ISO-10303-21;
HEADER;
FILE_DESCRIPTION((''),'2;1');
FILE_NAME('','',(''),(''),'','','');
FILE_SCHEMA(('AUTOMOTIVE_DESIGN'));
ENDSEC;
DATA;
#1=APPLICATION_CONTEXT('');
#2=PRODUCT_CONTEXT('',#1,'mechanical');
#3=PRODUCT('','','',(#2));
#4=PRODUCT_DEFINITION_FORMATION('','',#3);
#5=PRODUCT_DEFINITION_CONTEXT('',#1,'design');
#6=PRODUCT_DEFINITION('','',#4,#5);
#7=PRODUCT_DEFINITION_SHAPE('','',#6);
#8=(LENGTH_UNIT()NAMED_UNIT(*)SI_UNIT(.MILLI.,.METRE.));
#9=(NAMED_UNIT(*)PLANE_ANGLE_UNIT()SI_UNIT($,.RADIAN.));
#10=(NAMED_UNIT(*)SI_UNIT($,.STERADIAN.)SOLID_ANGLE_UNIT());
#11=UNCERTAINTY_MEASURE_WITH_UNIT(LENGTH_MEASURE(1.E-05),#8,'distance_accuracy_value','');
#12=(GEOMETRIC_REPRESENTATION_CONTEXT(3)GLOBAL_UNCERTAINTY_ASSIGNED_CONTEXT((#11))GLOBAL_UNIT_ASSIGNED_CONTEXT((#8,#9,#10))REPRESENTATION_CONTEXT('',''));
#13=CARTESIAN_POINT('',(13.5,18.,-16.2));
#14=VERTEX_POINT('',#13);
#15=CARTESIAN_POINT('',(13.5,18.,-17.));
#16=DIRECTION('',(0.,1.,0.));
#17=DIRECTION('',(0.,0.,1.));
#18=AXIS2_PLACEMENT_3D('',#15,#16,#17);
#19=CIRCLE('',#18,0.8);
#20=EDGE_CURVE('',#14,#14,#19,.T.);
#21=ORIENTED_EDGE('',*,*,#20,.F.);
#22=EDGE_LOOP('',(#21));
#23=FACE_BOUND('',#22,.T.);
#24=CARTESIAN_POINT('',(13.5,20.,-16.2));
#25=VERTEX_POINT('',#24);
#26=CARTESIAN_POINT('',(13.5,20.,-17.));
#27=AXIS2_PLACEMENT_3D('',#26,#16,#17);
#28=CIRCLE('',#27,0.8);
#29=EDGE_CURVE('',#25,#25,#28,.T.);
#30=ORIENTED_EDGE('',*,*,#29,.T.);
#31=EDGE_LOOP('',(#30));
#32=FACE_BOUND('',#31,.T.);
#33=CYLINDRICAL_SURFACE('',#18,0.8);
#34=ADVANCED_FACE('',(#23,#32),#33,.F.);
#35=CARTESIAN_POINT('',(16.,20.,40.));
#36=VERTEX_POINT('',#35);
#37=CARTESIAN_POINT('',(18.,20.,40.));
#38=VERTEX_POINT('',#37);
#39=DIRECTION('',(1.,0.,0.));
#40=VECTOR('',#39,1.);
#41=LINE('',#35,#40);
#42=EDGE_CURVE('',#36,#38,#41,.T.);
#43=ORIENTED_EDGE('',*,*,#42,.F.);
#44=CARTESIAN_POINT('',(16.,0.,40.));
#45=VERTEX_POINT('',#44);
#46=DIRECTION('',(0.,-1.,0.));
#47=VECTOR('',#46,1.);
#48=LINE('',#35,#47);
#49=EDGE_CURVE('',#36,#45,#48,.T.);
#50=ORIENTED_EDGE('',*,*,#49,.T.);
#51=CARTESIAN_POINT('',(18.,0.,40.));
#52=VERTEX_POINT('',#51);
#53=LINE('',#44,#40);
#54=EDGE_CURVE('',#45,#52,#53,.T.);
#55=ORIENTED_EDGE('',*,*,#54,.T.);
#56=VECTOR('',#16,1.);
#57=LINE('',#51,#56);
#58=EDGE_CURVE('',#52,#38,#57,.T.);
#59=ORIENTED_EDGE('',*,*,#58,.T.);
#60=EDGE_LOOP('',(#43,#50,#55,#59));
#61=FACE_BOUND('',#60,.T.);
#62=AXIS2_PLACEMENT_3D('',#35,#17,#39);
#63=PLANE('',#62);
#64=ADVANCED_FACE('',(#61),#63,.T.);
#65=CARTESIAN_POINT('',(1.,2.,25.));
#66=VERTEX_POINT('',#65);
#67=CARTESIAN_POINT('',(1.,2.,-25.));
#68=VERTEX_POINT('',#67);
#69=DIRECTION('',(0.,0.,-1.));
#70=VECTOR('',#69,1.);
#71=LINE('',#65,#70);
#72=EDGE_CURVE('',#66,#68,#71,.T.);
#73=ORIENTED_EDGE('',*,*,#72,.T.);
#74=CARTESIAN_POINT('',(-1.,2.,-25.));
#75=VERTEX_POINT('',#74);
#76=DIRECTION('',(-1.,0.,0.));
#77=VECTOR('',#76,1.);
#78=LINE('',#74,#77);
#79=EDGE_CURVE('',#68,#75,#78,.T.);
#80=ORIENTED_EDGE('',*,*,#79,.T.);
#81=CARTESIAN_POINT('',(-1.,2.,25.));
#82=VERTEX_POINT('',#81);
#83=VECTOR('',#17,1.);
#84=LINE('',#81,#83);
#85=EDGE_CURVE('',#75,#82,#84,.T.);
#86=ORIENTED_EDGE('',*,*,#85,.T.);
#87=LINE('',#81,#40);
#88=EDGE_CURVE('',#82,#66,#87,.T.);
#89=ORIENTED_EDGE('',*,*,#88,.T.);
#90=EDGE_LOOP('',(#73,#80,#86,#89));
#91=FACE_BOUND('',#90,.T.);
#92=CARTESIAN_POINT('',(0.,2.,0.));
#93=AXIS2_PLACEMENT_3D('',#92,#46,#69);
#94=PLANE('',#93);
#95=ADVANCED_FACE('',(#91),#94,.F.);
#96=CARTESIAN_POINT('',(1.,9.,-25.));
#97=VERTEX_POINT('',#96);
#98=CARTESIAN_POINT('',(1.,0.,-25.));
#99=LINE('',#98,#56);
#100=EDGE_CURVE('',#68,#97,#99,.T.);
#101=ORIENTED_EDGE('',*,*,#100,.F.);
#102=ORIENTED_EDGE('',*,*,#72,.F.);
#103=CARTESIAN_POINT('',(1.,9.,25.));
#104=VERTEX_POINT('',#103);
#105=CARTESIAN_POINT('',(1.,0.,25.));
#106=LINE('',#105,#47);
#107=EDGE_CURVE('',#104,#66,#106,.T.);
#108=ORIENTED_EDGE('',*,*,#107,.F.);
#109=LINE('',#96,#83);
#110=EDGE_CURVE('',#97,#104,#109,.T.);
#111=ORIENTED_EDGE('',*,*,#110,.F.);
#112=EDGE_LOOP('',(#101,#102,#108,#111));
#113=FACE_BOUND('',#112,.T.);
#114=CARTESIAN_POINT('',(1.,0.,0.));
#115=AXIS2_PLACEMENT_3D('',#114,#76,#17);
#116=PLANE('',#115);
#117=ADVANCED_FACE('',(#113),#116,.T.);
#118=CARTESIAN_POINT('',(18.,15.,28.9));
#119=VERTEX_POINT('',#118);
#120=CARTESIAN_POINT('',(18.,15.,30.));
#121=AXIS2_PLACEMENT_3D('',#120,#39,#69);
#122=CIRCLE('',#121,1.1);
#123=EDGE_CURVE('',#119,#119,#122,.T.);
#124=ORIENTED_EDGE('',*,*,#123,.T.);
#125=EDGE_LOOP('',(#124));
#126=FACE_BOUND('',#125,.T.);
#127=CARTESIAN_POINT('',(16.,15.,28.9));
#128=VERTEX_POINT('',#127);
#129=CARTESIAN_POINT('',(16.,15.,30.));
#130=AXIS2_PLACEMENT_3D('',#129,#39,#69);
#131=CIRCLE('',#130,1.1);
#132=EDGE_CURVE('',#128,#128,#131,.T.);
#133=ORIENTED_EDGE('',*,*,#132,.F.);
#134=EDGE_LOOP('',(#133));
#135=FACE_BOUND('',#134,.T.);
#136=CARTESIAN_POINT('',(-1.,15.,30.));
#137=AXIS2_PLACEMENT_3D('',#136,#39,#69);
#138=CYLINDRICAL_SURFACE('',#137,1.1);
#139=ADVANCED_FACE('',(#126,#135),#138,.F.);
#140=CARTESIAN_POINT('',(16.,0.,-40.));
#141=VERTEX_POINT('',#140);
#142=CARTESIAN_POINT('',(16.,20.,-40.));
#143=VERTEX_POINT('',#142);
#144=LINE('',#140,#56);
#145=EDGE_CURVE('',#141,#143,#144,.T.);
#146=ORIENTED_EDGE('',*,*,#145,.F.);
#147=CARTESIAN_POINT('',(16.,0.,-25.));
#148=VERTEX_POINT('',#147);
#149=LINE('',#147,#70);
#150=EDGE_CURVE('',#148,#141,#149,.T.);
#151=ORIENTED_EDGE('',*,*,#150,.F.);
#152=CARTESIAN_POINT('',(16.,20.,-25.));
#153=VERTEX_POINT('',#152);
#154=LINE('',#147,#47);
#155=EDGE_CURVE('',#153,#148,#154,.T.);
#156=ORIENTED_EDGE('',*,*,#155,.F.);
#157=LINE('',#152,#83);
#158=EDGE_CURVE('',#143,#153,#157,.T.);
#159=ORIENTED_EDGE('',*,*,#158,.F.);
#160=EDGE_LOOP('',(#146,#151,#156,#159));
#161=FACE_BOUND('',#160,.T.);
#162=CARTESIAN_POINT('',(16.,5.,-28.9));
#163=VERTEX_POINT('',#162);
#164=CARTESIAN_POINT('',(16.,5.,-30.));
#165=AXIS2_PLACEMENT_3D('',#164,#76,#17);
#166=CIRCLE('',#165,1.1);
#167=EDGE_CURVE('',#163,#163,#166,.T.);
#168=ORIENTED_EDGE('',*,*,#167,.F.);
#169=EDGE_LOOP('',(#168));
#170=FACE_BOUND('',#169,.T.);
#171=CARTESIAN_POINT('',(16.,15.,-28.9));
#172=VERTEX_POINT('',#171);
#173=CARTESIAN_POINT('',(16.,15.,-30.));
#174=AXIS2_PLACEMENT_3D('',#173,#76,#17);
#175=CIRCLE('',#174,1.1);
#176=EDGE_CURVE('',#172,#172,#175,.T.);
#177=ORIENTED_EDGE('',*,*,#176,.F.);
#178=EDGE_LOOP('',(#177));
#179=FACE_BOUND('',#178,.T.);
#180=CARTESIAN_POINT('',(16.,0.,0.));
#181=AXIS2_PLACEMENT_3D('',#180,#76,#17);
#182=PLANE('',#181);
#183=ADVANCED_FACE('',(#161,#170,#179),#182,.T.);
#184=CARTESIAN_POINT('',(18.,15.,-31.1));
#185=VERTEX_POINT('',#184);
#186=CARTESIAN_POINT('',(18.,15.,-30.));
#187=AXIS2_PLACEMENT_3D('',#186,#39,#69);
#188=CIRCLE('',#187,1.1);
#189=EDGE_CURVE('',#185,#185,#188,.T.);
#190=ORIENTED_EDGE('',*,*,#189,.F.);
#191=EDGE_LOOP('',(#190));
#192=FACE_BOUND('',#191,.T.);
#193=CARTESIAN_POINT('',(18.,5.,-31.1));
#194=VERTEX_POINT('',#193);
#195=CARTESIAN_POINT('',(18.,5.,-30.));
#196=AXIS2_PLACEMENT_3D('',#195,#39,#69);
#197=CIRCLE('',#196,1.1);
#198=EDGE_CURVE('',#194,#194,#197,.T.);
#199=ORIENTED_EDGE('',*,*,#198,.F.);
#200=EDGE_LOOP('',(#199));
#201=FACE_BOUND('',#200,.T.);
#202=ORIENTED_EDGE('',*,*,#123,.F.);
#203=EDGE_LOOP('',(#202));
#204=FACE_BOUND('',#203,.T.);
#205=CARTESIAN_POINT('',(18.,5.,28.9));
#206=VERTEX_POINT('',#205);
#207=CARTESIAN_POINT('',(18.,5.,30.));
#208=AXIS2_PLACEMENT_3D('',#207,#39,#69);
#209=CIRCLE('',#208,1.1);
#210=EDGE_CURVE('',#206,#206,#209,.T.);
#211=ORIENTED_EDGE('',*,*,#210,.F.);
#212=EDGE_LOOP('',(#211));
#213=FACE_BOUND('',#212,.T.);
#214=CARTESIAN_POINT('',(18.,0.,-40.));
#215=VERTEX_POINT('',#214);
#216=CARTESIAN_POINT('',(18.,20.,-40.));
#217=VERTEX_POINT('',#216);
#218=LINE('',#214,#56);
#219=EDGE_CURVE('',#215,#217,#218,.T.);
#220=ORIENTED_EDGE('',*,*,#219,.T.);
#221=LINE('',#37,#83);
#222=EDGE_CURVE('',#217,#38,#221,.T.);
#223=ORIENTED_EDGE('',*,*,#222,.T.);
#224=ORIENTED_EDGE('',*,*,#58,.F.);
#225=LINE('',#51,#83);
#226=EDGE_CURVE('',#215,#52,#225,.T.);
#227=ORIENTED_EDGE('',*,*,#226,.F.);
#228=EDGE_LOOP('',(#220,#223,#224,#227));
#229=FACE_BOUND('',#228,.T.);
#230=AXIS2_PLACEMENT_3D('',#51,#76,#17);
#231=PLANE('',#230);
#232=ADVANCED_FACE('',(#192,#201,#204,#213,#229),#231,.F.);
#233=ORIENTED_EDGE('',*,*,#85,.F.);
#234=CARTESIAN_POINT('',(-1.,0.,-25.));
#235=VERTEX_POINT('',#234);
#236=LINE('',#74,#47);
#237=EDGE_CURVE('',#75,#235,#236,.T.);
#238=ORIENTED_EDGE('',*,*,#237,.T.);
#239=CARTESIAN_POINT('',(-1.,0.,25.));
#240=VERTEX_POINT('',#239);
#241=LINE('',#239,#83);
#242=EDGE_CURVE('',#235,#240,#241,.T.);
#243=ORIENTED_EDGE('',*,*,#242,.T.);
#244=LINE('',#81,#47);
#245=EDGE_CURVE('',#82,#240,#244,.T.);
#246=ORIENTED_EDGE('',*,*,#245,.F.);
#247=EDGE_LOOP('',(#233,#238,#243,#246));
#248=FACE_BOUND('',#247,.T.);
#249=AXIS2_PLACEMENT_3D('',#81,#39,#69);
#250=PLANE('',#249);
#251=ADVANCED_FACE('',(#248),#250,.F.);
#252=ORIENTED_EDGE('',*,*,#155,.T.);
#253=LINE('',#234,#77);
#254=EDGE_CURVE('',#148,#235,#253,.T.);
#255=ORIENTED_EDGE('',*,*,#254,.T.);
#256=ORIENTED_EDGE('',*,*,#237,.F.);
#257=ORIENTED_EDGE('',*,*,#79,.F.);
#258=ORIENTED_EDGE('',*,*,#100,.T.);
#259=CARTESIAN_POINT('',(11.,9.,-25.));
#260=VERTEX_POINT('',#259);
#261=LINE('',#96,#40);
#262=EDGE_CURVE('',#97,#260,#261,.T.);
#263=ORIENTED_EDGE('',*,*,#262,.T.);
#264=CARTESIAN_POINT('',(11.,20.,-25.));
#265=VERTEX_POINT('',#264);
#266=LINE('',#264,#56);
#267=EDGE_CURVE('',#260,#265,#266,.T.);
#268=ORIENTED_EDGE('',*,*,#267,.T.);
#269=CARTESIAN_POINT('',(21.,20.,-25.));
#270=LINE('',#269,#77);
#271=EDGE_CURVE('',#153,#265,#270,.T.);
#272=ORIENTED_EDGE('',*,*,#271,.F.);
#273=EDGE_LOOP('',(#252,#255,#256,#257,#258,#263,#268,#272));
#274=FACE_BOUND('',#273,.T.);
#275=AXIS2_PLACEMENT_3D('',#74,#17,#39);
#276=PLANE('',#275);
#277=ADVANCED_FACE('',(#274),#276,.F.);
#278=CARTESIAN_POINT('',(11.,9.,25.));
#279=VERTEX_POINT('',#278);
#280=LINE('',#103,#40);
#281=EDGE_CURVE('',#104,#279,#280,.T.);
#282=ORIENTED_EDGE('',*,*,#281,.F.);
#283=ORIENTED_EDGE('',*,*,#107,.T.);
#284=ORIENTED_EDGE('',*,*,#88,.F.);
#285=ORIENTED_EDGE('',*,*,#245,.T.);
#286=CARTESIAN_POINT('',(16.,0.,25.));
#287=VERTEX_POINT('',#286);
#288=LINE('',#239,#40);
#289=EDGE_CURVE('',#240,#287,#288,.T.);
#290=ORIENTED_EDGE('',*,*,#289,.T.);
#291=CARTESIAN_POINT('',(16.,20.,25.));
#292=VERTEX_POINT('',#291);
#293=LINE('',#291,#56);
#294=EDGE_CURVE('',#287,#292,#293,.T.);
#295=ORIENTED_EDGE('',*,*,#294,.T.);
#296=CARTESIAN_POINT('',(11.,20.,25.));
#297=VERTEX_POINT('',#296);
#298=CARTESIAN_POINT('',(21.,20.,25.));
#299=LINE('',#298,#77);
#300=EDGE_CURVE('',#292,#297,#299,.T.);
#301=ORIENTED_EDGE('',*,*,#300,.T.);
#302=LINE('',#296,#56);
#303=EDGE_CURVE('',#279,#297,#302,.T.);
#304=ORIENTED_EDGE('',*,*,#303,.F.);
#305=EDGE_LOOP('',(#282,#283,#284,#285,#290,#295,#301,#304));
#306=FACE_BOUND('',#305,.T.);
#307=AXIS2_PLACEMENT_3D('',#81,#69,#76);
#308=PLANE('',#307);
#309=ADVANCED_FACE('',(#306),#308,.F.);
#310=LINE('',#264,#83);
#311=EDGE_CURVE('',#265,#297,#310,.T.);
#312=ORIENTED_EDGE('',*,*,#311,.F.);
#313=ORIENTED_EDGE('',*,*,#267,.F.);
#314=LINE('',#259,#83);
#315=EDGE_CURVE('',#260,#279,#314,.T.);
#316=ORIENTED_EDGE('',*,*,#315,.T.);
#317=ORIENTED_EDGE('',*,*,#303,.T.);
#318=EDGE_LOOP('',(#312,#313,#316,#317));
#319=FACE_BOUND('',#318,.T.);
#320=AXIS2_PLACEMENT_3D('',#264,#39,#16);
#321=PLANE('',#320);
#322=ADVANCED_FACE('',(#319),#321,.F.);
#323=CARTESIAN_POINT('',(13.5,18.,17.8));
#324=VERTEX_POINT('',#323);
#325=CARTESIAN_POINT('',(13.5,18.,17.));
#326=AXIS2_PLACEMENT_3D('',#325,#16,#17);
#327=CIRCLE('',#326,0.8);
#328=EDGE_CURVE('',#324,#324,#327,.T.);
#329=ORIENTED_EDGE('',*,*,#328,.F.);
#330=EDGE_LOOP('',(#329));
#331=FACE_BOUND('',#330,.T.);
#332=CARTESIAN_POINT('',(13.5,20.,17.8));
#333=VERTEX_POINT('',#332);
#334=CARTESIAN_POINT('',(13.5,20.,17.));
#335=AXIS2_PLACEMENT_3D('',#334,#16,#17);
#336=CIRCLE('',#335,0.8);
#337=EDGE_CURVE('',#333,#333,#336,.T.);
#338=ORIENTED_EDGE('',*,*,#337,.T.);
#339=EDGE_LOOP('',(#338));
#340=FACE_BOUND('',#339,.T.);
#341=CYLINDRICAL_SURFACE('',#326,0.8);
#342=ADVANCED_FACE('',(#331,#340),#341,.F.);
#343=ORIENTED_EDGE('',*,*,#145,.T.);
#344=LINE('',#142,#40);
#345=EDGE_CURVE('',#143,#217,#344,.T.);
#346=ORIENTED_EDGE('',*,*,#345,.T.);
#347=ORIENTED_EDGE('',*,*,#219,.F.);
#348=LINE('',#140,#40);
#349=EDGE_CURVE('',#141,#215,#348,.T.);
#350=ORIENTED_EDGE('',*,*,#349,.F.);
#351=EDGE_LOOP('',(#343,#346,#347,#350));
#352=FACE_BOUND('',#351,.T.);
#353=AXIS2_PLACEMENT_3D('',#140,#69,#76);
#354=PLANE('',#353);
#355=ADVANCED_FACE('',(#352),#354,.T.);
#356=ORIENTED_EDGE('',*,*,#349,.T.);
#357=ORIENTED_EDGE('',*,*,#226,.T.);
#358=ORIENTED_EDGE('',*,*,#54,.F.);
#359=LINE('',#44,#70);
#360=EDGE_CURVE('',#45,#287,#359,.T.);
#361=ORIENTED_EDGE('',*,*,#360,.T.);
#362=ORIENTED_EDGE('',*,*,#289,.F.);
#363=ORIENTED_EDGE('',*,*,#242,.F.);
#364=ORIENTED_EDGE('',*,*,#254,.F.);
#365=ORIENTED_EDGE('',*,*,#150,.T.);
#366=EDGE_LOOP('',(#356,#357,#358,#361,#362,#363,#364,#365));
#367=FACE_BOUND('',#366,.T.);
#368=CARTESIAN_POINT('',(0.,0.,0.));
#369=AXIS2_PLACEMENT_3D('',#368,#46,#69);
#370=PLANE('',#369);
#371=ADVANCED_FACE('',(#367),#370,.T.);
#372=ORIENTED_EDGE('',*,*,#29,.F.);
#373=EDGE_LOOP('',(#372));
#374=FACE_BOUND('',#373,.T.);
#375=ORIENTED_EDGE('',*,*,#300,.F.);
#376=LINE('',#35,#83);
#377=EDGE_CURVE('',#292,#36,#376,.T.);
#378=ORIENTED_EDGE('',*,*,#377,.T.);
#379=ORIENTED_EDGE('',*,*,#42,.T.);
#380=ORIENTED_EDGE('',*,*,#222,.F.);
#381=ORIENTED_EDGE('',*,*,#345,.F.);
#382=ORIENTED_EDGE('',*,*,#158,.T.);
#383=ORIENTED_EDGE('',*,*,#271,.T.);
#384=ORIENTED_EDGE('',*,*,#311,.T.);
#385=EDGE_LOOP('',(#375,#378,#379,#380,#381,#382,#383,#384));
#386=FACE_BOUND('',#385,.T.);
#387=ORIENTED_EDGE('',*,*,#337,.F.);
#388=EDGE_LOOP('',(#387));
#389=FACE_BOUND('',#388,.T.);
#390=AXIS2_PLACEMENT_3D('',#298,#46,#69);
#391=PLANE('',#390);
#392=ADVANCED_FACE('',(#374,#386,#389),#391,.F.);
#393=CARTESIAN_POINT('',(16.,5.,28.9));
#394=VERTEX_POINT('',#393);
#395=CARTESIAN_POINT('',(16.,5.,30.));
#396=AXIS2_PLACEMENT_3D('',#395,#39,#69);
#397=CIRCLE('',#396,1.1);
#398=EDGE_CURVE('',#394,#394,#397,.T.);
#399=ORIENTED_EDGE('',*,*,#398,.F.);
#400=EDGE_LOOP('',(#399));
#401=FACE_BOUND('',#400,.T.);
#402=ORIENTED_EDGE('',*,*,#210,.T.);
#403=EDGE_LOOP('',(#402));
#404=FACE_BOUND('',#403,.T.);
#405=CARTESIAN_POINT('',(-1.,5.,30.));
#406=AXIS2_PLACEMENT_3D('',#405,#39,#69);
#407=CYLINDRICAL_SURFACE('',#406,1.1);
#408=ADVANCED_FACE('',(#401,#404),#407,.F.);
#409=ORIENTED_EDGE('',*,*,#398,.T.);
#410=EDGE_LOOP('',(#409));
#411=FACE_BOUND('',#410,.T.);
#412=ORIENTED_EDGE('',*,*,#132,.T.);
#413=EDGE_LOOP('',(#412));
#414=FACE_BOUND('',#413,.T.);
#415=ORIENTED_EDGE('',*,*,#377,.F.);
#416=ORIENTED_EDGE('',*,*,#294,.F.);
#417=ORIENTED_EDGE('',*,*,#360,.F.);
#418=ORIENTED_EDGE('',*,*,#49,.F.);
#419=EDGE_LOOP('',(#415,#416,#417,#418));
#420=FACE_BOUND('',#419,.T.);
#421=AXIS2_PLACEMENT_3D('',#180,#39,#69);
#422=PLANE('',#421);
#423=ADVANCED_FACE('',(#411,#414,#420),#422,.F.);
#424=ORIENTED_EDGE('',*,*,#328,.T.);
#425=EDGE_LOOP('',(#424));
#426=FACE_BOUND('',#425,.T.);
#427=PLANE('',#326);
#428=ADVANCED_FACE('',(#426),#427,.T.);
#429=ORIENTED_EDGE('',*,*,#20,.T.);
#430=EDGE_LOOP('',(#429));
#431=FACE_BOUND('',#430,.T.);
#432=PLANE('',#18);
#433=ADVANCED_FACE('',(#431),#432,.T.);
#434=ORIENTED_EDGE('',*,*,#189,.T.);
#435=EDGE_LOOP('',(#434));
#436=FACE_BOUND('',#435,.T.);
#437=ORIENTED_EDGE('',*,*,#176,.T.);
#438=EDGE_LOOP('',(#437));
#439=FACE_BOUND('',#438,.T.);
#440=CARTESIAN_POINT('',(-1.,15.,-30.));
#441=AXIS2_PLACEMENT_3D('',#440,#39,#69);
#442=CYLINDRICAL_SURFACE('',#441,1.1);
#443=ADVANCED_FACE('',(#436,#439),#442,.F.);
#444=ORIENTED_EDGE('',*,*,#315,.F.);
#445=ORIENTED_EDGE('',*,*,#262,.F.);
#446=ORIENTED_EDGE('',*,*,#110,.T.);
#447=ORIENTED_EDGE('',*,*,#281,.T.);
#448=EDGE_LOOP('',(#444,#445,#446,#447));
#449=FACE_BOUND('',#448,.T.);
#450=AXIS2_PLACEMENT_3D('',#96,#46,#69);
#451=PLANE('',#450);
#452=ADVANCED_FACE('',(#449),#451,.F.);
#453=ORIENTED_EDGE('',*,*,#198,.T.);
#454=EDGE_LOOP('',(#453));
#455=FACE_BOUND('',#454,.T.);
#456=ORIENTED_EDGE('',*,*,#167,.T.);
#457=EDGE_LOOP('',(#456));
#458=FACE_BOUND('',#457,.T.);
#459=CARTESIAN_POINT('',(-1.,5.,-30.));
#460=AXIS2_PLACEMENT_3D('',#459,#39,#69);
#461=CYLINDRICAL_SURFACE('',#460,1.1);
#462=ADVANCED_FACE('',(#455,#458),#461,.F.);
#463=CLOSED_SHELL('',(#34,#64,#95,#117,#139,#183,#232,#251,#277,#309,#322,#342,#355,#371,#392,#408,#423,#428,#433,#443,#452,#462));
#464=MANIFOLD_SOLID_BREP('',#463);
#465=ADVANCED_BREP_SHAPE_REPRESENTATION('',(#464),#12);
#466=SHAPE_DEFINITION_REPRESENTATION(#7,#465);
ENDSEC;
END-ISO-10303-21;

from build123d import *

# Parameters (mm, degrees)
SKETCH_1_W          = 2
SKETCH_1_H          = 50
EXTRUDE_1_DEPTH     = 2
SKETCH_3_W          = 50
SKETCH_3_H          = 20
EXTRUDE_3_DEPTH     = 20
SKETCH_4_W          = 10
SKETCH_4_H          = 11
CUT_EXTRUDE_1_DEPTH = 58.801384066
SKETCH_6_W          = 15
SKETCH_6_H          = 20
EXTRUDE_4_DEPTH     = 5
SKETCH_7_W          = 3
SKETCH_7_H          = 80
CUT_EXTRUDE_4_DEPTH = 50.406477308
SKETCH_8_R          = 1.1
CUT_EXTRUDE_5_DEPTH = 49.590122453
SKETCH_9_R          = 0.8
CUT_EXTRUDE_6_DEPTH = 2


with BuildPart() as part:
    # 草图1 → 凸台-拉伸1 (new body)
    with BuildSketch(Plane(origin=(0, 0, 0), x_dir=(1, 0, 0), z_dir=(0, 1, 0))):
        Rectangle(SKETCH_1_W, SKETCH_1_H)
    extrude(amount=EXTRUDE_1_DEPTH)

    # 草图3 → 凸台-拉伸3 (add)
    with BuildSketch(Plane(origin=(1, 0, 0), x_dir=(0, 0, -1), z_dir=(1, 0, 0))):
        with Locations((0, 10)):
            Rectangle(SKETCH_3_W, SKETCH_3_H)
    extrude(amount=EXTRUDE_3_DEPTH)

    # 草图4 → 切除-拉伸1 (cut, through all)
    with BuildSketch(Plane.XY.offset(25)):
        with Locations((6, 14.5)):
            Rectangle(SKETCH_4_W, SKETCH_4_H)
    extrude(amount=-CUT_EXTRUDE_1_DEPTH, mode=Mode.SUBTRACT)

    # 草图6 → 凸台-拉伸4 (add)
    with BuildSketch(Plane(origin=(21, 0, 0), x_dir=(0, 0, -1), z_dir=(1, 0, 0))):
        with Locations((-32.5, 10)):
            Rectangle(SKETCH_6_W, SKETCH_6_H)
        with Locations((32.5, 10)):
            Rectangle(SKETCH_6_W, SKETCH_6_H)
    extrude(amount=-EXTRUDE_4_DEPTH)

    # 草图7 → 切除-拉伸4 (cut, through all)
    with BuildSketch(Plane(origin=(0, 20, 0), x_dir=(1, 0, 0), z_dir=(0, 1, 0))):
        with Locations((19.5, 0)):
            Rectangle(SKETCH_7_W, SKETCH_7_H)
    extrude(amount=-CUT_EXTRUDE_4_DEPTH, mode=Mode.SUBTRACT)

    # 草图8 → 切除-拉伸5 (cut, through all)
    with BuildSketch(Plane(origin=(18, 0, 0), x_dir=(0, 0, -1), z_dir=(1, 0, 0))):
        with Locations((30, 15)):
            Circle(SKETCH_8_R)
        with Locations((30, 5)):
            Circle(SKETCH_8_R)
        with Locations((-30, 15)):
            Circle(SKETCH_8_R)
        with Locations((-30, 5)):
            Circle(SKETCH_8_R)
    extrude(amount=-CUT_EXTRUDE_5_DEPTH, mode=Mode.SUBTRACT)

    # 草图9 → 切除-拉伸6 (cut)
    with BuildSketch(Plane(origin=(0, 20, 0), x_dir=(1, 0, 0), z_dir=(0, 1, 0))):
        with Locations(Location((13.5, -17, 0), (0, 0, 270))):
            Circle(SKETCH_9_R)
        with Locations(Location((13.5, 17, 0), (0, 0, 270))):
            Circle(SKETCH_9_R)
    extrude(amount=-CUT_EXTRUDE_6_DEPTH, mode=Mode.SUBTRACT)


solid = part.part
